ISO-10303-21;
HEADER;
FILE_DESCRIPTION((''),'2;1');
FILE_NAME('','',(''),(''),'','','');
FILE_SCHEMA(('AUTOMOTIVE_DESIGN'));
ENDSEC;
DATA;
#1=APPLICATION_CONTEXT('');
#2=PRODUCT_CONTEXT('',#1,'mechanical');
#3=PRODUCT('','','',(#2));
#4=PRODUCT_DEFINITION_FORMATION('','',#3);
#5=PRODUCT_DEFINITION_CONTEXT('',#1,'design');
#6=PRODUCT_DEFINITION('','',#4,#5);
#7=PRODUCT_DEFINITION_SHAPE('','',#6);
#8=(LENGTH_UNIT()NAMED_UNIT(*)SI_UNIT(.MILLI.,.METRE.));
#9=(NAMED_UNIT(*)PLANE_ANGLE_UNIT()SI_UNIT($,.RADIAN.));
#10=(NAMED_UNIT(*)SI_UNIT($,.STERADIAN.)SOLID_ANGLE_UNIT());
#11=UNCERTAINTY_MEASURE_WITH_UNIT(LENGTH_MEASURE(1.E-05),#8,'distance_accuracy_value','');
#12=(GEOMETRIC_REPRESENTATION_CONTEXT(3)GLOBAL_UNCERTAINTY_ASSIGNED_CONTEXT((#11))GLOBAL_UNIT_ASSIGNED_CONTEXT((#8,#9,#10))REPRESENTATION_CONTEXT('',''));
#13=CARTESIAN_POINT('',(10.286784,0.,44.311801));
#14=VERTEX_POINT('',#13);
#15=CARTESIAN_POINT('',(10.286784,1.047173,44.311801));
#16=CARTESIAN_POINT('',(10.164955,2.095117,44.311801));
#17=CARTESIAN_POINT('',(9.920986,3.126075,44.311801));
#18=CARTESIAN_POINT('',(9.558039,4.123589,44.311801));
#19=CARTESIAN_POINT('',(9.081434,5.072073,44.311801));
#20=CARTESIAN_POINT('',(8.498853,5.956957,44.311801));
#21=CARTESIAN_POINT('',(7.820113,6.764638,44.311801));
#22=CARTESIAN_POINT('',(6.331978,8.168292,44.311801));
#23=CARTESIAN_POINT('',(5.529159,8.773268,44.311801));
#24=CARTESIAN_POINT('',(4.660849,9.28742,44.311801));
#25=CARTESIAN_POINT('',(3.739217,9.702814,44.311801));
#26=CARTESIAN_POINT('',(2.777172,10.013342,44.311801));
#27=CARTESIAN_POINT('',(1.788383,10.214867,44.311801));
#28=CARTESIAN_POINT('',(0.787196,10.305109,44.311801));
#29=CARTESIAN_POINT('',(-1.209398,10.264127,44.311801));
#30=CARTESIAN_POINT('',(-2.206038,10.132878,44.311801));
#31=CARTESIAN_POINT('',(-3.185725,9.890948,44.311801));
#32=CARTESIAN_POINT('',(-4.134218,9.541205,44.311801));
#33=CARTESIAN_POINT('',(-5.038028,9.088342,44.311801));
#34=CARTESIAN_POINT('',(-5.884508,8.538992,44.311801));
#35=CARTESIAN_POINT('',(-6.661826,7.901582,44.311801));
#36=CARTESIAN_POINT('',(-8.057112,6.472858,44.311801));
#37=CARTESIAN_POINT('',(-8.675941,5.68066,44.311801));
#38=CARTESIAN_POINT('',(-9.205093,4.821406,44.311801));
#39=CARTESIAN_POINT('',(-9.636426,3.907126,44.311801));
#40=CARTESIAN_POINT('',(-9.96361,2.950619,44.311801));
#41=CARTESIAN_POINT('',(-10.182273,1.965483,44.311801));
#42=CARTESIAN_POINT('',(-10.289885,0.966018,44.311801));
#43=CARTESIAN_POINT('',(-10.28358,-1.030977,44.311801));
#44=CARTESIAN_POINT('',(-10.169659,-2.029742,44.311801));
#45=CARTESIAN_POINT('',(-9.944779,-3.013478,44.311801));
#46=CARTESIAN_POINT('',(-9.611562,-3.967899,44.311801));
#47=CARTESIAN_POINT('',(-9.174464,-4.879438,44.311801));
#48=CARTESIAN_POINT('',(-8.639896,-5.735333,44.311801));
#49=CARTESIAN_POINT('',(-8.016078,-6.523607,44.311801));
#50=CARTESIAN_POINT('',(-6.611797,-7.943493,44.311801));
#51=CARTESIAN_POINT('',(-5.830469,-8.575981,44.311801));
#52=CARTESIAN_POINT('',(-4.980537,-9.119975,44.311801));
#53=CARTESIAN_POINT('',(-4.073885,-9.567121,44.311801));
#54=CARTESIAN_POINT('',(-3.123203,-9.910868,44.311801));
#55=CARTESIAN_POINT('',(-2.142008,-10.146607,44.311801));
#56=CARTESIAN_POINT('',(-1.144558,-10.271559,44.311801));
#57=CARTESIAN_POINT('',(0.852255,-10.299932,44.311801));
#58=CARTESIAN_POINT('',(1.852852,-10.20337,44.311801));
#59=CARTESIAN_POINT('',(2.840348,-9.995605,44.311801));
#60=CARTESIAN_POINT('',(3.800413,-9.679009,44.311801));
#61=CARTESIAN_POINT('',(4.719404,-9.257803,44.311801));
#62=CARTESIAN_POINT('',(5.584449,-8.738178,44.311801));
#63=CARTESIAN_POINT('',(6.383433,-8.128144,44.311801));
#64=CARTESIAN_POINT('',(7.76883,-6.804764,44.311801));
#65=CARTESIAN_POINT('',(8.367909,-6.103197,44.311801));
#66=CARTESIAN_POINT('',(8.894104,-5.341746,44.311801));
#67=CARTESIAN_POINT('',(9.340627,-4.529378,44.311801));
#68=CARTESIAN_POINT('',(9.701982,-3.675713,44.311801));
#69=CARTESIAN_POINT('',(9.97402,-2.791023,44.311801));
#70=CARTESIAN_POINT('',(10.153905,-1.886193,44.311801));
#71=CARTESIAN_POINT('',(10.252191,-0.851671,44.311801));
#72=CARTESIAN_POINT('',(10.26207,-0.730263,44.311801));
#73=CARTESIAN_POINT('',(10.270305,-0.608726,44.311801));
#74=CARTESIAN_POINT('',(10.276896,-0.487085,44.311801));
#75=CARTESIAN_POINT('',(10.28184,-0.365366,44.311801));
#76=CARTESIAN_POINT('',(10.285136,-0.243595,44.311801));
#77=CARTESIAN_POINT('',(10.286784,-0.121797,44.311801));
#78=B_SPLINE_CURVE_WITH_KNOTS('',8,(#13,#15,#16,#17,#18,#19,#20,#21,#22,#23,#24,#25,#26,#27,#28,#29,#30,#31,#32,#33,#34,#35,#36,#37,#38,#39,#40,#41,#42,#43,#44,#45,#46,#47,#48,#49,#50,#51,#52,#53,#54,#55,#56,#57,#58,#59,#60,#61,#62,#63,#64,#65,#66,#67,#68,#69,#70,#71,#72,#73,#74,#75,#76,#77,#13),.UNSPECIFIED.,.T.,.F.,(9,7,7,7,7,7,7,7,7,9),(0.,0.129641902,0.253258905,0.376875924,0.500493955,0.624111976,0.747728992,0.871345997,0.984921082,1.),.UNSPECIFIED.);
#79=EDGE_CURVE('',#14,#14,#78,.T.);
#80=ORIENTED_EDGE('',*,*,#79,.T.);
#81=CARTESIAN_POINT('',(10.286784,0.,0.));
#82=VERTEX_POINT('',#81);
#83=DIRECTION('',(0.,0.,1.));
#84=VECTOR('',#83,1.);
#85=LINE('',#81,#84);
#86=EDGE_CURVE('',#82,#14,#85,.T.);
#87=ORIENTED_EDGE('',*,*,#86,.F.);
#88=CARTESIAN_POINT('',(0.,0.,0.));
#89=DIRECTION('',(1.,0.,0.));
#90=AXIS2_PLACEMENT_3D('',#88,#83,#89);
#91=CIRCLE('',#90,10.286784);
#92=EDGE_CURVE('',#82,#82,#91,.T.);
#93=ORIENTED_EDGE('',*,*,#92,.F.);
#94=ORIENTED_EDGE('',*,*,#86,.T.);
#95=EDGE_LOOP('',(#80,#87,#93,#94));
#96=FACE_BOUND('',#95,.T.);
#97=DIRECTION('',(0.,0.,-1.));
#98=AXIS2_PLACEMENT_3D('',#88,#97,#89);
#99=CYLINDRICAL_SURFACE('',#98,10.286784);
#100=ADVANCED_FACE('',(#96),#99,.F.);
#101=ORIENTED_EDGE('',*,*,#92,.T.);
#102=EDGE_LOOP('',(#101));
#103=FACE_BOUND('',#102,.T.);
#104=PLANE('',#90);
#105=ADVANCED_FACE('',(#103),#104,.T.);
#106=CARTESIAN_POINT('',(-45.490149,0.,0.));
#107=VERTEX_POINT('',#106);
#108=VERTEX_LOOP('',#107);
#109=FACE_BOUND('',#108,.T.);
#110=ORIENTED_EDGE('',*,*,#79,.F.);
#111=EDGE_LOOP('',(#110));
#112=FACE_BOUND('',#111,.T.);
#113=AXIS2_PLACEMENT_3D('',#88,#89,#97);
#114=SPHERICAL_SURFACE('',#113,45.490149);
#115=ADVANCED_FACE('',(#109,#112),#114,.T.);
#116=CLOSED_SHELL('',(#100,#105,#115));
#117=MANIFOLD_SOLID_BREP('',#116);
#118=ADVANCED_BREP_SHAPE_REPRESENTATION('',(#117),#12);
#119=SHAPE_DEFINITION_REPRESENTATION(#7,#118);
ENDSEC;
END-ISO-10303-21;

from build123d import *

# Parameters (mm, degrees)
F2_R     = 10.286784
F3_DEPTH = 45.491149


with BuildPart() as f1:
    # F0 (on Front) → F1 (revolve)
    with BuildSketch(Plane.XZ):
        with BuildLine():
            Line((45.490149, 0), (-45.490149, 0))
            ThreePointArc((-45.490149, 0), (0, -45.490149), (45.490149, 0))
        make_face()
    revolve(axis=Axis((0, 0, 0), (1, 0, 0)))

    # F2 (on Top) → F3 (cut, through all)
    with BuildSketch(Plane.XY):
        Circle(F2_R)
    extrude(amount=F3_DEPTH, mode=Mode.SUBTRACT)


solid = f1.part
